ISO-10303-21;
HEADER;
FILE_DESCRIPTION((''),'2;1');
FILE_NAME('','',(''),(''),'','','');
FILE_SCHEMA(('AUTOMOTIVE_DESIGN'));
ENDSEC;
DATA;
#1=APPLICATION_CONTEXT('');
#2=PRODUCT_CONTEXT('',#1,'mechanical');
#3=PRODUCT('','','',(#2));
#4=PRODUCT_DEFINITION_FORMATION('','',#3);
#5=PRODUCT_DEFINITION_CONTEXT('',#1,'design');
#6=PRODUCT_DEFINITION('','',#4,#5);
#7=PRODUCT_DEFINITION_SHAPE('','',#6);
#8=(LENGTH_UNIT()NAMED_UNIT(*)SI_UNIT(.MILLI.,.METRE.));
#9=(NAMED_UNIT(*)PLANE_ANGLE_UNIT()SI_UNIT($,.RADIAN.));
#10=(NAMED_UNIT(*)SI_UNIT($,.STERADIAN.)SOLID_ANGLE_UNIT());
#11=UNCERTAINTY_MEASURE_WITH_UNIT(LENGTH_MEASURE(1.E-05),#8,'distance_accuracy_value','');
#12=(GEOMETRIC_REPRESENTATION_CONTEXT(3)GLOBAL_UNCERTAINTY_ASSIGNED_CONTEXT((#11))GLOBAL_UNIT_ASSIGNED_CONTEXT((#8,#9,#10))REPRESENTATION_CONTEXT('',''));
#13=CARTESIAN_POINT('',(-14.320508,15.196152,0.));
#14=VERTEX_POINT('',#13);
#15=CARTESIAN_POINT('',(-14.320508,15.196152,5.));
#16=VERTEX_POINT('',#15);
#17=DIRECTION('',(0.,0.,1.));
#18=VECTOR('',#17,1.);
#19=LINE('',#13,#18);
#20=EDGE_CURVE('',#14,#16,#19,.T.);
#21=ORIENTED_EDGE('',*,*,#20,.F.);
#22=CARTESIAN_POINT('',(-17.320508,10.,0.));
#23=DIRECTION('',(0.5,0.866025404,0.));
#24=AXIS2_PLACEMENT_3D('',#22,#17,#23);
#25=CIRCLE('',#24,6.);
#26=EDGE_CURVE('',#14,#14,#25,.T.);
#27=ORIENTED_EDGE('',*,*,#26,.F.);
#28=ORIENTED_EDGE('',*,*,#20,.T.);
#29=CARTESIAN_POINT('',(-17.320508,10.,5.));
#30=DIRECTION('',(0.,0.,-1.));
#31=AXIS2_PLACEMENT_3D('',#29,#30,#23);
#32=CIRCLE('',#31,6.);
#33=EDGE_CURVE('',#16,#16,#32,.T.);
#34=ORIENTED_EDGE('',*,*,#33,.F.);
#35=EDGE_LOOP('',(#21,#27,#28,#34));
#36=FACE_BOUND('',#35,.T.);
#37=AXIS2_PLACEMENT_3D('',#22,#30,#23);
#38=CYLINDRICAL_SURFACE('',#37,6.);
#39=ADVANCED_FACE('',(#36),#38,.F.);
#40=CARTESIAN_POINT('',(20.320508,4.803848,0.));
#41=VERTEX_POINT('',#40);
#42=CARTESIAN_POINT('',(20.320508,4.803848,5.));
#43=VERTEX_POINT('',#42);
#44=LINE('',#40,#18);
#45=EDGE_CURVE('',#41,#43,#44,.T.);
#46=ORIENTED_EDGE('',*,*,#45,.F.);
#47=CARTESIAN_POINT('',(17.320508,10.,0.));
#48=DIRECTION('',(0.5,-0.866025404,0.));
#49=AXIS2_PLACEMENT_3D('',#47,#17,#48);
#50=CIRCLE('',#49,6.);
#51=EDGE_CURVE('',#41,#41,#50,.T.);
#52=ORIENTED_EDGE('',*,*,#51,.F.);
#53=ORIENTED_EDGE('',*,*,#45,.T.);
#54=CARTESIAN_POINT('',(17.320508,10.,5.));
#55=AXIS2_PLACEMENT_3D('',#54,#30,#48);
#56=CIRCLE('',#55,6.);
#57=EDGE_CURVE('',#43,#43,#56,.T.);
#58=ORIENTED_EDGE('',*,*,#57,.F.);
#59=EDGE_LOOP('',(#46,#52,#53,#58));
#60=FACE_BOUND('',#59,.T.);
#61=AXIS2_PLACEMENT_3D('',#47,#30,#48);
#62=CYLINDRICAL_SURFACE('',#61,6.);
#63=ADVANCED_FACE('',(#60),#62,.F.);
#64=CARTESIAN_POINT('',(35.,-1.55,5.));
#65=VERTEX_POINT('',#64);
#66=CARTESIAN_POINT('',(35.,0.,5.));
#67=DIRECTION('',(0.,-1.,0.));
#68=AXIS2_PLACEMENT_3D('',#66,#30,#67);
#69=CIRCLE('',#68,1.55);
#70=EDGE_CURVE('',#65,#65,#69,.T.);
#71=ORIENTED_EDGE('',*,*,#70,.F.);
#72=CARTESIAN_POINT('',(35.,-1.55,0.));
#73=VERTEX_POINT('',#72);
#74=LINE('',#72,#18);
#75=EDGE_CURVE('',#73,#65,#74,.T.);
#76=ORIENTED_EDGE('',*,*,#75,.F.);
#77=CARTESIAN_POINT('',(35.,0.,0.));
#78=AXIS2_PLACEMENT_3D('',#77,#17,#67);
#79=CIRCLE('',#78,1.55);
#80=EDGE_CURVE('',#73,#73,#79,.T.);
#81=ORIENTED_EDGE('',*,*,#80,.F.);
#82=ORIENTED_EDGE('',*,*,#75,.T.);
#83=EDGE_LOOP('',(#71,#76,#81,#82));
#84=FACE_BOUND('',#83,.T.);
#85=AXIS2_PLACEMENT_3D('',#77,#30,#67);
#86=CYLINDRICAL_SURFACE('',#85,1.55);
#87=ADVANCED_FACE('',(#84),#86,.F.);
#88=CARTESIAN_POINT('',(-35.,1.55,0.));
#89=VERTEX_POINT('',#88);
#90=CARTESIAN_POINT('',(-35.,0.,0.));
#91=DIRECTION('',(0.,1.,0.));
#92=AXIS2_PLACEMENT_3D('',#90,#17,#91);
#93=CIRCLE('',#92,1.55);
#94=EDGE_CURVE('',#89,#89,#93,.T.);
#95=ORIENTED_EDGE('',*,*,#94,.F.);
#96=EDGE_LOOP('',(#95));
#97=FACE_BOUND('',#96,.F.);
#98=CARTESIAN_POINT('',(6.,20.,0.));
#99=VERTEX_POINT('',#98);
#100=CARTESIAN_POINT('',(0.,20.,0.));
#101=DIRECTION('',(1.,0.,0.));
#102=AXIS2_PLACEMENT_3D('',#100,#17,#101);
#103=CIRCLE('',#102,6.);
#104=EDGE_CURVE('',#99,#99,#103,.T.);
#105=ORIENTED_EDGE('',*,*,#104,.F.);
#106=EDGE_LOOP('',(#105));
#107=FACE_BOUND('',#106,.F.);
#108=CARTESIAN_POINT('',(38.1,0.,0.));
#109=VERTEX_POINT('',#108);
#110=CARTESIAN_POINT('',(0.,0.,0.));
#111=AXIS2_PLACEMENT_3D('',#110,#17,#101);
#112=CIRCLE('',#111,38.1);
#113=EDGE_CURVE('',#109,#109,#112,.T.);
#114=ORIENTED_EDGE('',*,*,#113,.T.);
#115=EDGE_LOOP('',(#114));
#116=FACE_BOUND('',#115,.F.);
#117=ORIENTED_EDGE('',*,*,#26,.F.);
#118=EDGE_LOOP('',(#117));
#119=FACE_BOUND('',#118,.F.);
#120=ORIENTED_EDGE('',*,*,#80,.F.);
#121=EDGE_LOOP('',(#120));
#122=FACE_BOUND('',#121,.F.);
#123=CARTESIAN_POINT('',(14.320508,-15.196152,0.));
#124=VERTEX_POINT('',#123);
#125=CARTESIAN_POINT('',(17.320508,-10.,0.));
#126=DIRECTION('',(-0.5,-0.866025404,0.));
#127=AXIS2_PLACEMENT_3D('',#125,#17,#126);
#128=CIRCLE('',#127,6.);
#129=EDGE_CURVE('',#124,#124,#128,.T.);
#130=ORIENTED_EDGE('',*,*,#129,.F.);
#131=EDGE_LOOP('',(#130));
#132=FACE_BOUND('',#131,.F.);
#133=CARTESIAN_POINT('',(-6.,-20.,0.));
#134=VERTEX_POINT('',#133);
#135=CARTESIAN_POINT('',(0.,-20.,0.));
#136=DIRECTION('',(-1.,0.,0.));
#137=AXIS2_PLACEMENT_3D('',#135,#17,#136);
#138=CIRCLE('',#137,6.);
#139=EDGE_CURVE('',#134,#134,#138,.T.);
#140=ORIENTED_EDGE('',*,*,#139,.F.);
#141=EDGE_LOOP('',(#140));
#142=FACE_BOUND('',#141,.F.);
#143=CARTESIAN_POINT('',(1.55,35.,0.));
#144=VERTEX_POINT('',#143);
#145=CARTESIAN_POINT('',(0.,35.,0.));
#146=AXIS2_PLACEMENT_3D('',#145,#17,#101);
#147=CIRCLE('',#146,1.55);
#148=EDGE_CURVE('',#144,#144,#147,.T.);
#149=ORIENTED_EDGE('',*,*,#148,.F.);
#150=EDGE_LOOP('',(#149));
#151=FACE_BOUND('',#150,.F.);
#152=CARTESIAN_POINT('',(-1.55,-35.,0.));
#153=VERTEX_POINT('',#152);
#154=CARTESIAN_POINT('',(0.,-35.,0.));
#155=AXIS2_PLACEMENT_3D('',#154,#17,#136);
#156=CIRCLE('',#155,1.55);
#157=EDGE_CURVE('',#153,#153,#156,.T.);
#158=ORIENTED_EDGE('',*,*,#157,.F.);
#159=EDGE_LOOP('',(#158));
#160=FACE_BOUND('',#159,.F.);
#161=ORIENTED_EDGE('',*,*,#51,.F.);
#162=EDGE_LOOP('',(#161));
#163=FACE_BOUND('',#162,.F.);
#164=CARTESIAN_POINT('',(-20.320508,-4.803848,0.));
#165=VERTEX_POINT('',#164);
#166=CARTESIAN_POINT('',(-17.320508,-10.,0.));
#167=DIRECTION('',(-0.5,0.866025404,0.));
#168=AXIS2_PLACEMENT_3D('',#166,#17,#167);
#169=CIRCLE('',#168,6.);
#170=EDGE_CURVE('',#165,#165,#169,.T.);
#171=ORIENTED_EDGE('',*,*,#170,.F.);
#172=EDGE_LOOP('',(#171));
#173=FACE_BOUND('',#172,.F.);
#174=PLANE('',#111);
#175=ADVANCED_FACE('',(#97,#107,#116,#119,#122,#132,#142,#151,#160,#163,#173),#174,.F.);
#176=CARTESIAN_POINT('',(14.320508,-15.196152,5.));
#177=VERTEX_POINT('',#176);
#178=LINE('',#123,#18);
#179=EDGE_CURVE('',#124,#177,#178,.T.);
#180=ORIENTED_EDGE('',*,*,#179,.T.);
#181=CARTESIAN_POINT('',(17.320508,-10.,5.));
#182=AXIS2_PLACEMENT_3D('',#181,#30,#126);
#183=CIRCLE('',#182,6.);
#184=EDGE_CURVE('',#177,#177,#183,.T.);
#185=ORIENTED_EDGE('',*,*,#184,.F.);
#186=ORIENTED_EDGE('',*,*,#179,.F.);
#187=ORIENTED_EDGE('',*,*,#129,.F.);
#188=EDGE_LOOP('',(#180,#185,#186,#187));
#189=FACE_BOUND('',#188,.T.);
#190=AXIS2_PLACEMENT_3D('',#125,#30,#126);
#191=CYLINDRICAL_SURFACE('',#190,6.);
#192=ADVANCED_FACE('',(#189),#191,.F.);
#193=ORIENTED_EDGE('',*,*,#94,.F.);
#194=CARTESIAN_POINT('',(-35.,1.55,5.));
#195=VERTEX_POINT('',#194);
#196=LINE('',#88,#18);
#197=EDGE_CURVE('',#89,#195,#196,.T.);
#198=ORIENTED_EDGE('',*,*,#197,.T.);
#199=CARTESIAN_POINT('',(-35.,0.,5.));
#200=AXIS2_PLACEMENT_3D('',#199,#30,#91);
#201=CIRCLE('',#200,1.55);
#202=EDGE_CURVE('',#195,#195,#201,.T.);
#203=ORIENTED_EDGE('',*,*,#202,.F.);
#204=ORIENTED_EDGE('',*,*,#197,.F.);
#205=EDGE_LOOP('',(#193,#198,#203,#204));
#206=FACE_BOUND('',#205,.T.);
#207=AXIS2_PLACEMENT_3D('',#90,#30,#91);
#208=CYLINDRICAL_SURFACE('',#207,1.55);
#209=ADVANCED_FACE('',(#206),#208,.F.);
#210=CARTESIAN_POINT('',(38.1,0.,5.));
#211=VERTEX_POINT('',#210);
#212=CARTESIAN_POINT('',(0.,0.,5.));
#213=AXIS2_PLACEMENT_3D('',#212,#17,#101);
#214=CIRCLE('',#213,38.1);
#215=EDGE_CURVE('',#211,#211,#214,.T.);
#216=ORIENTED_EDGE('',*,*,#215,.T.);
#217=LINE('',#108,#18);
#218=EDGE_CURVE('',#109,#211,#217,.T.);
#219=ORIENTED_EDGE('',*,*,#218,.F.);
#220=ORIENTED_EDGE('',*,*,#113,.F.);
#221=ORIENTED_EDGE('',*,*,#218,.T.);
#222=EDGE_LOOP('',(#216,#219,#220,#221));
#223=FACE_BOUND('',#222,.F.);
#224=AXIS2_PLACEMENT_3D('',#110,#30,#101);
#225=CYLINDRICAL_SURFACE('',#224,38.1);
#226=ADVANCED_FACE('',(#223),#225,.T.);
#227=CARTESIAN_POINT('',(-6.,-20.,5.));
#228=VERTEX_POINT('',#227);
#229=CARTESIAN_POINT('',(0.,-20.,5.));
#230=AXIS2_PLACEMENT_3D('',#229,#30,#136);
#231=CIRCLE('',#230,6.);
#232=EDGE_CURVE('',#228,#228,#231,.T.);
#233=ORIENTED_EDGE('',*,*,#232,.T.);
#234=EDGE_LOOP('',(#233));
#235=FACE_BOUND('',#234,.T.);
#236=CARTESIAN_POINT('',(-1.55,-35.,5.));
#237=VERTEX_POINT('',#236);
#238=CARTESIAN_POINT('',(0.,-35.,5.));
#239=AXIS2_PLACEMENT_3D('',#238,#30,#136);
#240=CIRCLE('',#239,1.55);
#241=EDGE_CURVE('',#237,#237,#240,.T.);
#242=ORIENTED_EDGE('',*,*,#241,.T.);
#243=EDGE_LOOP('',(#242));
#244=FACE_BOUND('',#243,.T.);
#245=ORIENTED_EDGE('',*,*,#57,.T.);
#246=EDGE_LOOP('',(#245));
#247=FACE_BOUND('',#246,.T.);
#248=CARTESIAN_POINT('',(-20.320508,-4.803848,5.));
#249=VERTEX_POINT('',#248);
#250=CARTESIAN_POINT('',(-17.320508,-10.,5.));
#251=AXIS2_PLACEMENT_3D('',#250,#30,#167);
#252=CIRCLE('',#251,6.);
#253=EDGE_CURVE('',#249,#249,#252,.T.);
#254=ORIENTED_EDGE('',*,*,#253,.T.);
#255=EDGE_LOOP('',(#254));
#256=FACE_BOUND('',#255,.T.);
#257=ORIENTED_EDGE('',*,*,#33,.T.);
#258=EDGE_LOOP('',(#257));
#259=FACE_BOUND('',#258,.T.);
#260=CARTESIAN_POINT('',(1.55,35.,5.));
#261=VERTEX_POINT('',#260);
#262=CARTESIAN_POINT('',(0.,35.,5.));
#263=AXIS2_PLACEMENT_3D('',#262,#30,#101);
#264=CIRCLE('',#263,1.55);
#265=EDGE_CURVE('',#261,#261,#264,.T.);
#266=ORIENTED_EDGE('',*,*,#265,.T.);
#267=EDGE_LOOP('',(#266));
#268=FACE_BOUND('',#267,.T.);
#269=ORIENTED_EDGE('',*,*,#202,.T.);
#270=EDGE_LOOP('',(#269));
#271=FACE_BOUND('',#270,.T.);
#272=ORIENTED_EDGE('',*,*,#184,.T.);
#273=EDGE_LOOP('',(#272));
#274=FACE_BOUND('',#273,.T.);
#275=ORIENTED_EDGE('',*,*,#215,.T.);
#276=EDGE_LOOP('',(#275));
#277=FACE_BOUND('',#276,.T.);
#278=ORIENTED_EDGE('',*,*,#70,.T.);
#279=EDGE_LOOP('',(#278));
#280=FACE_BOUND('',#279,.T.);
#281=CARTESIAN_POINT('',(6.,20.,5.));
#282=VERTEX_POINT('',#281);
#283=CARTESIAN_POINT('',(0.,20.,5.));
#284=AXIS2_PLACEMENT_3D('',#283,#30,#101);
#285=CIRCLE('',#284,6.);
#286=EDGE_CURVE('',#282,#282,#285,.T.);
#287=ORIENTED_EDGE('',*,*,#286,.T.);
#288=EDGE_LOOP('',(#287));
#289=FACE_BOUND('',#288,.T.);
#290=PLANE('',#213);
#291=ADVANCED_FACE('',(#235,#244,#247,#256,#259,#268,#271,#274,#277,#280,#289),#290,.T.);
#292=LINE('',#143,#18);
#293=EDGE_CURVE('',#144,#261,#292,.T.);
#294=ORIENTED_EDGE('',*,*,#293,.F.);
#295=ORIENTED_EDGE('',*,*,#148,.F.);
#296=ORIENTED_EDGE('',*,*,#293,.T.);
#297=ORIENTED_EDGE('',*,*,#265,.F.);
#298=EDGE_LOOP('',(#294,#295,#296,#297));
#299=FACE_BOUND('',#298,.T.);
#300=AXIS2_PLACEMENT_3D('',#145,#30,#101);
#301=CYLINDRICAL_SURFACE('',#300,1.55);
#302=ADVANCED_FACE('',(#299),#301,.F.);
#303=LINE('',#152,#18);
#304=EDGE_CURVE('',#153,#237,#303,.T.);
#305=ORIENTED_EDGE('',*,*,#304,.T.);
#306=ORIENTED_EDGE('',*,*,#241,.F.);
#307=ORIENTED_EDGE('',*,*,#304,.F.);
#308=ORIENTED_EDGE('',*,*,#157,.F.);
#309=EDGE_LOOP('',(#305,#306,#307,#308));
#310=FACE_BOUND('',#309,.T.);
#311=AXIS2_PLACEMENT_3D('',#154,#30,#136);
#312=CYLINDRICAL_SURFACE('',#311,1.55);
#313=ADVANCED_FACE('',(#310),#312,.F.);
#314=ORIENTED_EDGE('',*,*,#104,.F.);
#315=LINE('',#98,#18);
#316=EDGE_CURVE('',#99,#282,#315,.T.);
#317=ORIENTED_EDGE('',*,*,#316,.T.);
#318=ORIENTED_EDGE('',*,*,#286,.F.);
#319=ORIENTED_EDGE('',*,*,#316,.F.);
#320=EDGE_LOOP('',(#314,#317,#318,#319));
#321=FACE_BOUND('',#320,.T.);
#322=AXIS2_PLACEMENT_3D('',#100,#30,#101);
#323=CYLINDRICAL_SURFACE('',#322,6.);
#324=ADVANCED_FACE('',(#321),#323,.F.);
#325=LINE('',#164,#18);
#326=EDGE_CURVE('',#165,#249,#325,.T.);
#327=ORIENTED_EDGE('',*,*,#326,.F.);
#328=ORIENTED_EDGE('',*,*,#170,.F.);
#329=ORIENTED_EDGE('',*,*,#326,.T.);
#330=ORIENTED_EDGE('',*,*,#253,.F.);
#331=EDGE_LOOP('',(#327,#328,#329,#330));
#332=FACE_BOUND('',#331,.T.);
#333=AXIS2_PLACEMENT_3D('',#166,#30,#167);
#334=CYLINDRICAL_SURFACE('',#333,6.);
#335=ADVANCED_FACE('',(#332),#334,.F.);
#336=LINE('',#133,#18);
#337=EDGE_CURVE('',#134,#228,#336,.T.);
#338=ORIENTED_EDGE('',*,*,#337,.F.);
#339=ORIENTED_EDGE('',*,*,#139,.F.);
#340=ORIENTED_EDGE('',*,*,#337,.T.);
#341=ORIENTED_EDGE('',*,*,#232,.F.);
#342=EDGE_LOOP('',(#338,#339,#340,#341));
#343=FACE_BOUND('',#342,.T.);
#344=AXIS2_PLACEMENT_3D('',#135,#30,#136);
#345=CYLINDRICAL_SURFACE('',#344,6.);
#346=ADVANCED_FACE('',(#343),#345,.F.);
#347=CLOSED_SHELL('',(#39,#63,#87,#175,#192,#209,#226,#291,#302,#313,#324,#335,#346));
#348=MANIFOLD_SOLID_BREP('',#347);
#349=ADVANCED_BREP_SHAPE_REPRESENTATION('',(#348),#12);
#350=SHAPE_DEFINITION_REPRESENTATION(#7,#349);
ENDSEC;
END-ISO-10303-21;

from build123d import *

# Parameters (mm, degrees)
F0_R     = 38.1
F0_R_2   = 7.5
F0_R_3   = 6
F0_R_4   = 1.55
F1_DEPTH = 5
F2_DEPTH = 25
F3_COUNT = 6
F4_DEPTH = 25
F5_COUNT = 4
F6_DEPTH = 5


with BuildPart() as f1:
    # F0 (on Top) → F1 (new body)
    with BuildSketch(Plane.XY):
        Circle(F0_R)
        Circle(F0_R_2, mode=Mode.SUBTRACT)
        with Locations((0, 20)):
            Circle(F0_R_3, mode=Mode.SUBTRACT)
        with Locations((0, 35)):
            Circle(F0_R_4, mode=Mode.SUBTRACT)
        with Locations((0, 20)):
            Circle(F0_R_3)
        with Locations((0, 35)):
            Circle(F0_R_4)
    extrude(amount=F1_DEPTH)

    # F3: F2 ×6 about axis
    f3_axis = Axis((0, 0, 5), (0, 0, 1))


with BuildPart() as f2:
    # F0 (on Top) → F2 (new body)
    with BuildSketch(Plane.XY):
        with Locations((0, 20)):
            Circle(F0_R_3)
    extrude(amount=F2_DEPTH)


with BuildPart() as f1_1:
    add(f1.part)
    for i in range(1, F3_COUNT):
        add(f2.part.rotate(f3_axis, i * 360 / F3_COUNT), mode=Mode.SUBTRACT)

    # F3#seed: cut F2
    add(f2.part, mode=Mode.SUBTRACT)

    # F5: F4 ×4 about axis
    f5_axis = Axis((0, 0, 5), (0, 0, 1))


with BuildPart() as f4:
    # F0 (on Top) → F4 (new body)
    with BuildSketch(Plane.XY):
        with Locations((0, 35)):
            Circle(F0_R_4)
    extrude(amount=F4_DEPTH)


with BuildPart() as f1_2:
    add(f1_1.part)
    for i in range(1, F5_COUNT):
        add(f4.part.rotate(f5_axis, i * 360 / F5_COUNT), mode=Mode.SUBTRACT)

    # F5#seed: cut F4
    add(f4.part, mode=Mode.SUBTRACT)

    # F0 (on Top) → F6 (join)
    with BuildSketch(Plane.XY):
        Circle(F0_R_2)
    extrude(amount=F6_DEPTH)


solid = f1_2.part
